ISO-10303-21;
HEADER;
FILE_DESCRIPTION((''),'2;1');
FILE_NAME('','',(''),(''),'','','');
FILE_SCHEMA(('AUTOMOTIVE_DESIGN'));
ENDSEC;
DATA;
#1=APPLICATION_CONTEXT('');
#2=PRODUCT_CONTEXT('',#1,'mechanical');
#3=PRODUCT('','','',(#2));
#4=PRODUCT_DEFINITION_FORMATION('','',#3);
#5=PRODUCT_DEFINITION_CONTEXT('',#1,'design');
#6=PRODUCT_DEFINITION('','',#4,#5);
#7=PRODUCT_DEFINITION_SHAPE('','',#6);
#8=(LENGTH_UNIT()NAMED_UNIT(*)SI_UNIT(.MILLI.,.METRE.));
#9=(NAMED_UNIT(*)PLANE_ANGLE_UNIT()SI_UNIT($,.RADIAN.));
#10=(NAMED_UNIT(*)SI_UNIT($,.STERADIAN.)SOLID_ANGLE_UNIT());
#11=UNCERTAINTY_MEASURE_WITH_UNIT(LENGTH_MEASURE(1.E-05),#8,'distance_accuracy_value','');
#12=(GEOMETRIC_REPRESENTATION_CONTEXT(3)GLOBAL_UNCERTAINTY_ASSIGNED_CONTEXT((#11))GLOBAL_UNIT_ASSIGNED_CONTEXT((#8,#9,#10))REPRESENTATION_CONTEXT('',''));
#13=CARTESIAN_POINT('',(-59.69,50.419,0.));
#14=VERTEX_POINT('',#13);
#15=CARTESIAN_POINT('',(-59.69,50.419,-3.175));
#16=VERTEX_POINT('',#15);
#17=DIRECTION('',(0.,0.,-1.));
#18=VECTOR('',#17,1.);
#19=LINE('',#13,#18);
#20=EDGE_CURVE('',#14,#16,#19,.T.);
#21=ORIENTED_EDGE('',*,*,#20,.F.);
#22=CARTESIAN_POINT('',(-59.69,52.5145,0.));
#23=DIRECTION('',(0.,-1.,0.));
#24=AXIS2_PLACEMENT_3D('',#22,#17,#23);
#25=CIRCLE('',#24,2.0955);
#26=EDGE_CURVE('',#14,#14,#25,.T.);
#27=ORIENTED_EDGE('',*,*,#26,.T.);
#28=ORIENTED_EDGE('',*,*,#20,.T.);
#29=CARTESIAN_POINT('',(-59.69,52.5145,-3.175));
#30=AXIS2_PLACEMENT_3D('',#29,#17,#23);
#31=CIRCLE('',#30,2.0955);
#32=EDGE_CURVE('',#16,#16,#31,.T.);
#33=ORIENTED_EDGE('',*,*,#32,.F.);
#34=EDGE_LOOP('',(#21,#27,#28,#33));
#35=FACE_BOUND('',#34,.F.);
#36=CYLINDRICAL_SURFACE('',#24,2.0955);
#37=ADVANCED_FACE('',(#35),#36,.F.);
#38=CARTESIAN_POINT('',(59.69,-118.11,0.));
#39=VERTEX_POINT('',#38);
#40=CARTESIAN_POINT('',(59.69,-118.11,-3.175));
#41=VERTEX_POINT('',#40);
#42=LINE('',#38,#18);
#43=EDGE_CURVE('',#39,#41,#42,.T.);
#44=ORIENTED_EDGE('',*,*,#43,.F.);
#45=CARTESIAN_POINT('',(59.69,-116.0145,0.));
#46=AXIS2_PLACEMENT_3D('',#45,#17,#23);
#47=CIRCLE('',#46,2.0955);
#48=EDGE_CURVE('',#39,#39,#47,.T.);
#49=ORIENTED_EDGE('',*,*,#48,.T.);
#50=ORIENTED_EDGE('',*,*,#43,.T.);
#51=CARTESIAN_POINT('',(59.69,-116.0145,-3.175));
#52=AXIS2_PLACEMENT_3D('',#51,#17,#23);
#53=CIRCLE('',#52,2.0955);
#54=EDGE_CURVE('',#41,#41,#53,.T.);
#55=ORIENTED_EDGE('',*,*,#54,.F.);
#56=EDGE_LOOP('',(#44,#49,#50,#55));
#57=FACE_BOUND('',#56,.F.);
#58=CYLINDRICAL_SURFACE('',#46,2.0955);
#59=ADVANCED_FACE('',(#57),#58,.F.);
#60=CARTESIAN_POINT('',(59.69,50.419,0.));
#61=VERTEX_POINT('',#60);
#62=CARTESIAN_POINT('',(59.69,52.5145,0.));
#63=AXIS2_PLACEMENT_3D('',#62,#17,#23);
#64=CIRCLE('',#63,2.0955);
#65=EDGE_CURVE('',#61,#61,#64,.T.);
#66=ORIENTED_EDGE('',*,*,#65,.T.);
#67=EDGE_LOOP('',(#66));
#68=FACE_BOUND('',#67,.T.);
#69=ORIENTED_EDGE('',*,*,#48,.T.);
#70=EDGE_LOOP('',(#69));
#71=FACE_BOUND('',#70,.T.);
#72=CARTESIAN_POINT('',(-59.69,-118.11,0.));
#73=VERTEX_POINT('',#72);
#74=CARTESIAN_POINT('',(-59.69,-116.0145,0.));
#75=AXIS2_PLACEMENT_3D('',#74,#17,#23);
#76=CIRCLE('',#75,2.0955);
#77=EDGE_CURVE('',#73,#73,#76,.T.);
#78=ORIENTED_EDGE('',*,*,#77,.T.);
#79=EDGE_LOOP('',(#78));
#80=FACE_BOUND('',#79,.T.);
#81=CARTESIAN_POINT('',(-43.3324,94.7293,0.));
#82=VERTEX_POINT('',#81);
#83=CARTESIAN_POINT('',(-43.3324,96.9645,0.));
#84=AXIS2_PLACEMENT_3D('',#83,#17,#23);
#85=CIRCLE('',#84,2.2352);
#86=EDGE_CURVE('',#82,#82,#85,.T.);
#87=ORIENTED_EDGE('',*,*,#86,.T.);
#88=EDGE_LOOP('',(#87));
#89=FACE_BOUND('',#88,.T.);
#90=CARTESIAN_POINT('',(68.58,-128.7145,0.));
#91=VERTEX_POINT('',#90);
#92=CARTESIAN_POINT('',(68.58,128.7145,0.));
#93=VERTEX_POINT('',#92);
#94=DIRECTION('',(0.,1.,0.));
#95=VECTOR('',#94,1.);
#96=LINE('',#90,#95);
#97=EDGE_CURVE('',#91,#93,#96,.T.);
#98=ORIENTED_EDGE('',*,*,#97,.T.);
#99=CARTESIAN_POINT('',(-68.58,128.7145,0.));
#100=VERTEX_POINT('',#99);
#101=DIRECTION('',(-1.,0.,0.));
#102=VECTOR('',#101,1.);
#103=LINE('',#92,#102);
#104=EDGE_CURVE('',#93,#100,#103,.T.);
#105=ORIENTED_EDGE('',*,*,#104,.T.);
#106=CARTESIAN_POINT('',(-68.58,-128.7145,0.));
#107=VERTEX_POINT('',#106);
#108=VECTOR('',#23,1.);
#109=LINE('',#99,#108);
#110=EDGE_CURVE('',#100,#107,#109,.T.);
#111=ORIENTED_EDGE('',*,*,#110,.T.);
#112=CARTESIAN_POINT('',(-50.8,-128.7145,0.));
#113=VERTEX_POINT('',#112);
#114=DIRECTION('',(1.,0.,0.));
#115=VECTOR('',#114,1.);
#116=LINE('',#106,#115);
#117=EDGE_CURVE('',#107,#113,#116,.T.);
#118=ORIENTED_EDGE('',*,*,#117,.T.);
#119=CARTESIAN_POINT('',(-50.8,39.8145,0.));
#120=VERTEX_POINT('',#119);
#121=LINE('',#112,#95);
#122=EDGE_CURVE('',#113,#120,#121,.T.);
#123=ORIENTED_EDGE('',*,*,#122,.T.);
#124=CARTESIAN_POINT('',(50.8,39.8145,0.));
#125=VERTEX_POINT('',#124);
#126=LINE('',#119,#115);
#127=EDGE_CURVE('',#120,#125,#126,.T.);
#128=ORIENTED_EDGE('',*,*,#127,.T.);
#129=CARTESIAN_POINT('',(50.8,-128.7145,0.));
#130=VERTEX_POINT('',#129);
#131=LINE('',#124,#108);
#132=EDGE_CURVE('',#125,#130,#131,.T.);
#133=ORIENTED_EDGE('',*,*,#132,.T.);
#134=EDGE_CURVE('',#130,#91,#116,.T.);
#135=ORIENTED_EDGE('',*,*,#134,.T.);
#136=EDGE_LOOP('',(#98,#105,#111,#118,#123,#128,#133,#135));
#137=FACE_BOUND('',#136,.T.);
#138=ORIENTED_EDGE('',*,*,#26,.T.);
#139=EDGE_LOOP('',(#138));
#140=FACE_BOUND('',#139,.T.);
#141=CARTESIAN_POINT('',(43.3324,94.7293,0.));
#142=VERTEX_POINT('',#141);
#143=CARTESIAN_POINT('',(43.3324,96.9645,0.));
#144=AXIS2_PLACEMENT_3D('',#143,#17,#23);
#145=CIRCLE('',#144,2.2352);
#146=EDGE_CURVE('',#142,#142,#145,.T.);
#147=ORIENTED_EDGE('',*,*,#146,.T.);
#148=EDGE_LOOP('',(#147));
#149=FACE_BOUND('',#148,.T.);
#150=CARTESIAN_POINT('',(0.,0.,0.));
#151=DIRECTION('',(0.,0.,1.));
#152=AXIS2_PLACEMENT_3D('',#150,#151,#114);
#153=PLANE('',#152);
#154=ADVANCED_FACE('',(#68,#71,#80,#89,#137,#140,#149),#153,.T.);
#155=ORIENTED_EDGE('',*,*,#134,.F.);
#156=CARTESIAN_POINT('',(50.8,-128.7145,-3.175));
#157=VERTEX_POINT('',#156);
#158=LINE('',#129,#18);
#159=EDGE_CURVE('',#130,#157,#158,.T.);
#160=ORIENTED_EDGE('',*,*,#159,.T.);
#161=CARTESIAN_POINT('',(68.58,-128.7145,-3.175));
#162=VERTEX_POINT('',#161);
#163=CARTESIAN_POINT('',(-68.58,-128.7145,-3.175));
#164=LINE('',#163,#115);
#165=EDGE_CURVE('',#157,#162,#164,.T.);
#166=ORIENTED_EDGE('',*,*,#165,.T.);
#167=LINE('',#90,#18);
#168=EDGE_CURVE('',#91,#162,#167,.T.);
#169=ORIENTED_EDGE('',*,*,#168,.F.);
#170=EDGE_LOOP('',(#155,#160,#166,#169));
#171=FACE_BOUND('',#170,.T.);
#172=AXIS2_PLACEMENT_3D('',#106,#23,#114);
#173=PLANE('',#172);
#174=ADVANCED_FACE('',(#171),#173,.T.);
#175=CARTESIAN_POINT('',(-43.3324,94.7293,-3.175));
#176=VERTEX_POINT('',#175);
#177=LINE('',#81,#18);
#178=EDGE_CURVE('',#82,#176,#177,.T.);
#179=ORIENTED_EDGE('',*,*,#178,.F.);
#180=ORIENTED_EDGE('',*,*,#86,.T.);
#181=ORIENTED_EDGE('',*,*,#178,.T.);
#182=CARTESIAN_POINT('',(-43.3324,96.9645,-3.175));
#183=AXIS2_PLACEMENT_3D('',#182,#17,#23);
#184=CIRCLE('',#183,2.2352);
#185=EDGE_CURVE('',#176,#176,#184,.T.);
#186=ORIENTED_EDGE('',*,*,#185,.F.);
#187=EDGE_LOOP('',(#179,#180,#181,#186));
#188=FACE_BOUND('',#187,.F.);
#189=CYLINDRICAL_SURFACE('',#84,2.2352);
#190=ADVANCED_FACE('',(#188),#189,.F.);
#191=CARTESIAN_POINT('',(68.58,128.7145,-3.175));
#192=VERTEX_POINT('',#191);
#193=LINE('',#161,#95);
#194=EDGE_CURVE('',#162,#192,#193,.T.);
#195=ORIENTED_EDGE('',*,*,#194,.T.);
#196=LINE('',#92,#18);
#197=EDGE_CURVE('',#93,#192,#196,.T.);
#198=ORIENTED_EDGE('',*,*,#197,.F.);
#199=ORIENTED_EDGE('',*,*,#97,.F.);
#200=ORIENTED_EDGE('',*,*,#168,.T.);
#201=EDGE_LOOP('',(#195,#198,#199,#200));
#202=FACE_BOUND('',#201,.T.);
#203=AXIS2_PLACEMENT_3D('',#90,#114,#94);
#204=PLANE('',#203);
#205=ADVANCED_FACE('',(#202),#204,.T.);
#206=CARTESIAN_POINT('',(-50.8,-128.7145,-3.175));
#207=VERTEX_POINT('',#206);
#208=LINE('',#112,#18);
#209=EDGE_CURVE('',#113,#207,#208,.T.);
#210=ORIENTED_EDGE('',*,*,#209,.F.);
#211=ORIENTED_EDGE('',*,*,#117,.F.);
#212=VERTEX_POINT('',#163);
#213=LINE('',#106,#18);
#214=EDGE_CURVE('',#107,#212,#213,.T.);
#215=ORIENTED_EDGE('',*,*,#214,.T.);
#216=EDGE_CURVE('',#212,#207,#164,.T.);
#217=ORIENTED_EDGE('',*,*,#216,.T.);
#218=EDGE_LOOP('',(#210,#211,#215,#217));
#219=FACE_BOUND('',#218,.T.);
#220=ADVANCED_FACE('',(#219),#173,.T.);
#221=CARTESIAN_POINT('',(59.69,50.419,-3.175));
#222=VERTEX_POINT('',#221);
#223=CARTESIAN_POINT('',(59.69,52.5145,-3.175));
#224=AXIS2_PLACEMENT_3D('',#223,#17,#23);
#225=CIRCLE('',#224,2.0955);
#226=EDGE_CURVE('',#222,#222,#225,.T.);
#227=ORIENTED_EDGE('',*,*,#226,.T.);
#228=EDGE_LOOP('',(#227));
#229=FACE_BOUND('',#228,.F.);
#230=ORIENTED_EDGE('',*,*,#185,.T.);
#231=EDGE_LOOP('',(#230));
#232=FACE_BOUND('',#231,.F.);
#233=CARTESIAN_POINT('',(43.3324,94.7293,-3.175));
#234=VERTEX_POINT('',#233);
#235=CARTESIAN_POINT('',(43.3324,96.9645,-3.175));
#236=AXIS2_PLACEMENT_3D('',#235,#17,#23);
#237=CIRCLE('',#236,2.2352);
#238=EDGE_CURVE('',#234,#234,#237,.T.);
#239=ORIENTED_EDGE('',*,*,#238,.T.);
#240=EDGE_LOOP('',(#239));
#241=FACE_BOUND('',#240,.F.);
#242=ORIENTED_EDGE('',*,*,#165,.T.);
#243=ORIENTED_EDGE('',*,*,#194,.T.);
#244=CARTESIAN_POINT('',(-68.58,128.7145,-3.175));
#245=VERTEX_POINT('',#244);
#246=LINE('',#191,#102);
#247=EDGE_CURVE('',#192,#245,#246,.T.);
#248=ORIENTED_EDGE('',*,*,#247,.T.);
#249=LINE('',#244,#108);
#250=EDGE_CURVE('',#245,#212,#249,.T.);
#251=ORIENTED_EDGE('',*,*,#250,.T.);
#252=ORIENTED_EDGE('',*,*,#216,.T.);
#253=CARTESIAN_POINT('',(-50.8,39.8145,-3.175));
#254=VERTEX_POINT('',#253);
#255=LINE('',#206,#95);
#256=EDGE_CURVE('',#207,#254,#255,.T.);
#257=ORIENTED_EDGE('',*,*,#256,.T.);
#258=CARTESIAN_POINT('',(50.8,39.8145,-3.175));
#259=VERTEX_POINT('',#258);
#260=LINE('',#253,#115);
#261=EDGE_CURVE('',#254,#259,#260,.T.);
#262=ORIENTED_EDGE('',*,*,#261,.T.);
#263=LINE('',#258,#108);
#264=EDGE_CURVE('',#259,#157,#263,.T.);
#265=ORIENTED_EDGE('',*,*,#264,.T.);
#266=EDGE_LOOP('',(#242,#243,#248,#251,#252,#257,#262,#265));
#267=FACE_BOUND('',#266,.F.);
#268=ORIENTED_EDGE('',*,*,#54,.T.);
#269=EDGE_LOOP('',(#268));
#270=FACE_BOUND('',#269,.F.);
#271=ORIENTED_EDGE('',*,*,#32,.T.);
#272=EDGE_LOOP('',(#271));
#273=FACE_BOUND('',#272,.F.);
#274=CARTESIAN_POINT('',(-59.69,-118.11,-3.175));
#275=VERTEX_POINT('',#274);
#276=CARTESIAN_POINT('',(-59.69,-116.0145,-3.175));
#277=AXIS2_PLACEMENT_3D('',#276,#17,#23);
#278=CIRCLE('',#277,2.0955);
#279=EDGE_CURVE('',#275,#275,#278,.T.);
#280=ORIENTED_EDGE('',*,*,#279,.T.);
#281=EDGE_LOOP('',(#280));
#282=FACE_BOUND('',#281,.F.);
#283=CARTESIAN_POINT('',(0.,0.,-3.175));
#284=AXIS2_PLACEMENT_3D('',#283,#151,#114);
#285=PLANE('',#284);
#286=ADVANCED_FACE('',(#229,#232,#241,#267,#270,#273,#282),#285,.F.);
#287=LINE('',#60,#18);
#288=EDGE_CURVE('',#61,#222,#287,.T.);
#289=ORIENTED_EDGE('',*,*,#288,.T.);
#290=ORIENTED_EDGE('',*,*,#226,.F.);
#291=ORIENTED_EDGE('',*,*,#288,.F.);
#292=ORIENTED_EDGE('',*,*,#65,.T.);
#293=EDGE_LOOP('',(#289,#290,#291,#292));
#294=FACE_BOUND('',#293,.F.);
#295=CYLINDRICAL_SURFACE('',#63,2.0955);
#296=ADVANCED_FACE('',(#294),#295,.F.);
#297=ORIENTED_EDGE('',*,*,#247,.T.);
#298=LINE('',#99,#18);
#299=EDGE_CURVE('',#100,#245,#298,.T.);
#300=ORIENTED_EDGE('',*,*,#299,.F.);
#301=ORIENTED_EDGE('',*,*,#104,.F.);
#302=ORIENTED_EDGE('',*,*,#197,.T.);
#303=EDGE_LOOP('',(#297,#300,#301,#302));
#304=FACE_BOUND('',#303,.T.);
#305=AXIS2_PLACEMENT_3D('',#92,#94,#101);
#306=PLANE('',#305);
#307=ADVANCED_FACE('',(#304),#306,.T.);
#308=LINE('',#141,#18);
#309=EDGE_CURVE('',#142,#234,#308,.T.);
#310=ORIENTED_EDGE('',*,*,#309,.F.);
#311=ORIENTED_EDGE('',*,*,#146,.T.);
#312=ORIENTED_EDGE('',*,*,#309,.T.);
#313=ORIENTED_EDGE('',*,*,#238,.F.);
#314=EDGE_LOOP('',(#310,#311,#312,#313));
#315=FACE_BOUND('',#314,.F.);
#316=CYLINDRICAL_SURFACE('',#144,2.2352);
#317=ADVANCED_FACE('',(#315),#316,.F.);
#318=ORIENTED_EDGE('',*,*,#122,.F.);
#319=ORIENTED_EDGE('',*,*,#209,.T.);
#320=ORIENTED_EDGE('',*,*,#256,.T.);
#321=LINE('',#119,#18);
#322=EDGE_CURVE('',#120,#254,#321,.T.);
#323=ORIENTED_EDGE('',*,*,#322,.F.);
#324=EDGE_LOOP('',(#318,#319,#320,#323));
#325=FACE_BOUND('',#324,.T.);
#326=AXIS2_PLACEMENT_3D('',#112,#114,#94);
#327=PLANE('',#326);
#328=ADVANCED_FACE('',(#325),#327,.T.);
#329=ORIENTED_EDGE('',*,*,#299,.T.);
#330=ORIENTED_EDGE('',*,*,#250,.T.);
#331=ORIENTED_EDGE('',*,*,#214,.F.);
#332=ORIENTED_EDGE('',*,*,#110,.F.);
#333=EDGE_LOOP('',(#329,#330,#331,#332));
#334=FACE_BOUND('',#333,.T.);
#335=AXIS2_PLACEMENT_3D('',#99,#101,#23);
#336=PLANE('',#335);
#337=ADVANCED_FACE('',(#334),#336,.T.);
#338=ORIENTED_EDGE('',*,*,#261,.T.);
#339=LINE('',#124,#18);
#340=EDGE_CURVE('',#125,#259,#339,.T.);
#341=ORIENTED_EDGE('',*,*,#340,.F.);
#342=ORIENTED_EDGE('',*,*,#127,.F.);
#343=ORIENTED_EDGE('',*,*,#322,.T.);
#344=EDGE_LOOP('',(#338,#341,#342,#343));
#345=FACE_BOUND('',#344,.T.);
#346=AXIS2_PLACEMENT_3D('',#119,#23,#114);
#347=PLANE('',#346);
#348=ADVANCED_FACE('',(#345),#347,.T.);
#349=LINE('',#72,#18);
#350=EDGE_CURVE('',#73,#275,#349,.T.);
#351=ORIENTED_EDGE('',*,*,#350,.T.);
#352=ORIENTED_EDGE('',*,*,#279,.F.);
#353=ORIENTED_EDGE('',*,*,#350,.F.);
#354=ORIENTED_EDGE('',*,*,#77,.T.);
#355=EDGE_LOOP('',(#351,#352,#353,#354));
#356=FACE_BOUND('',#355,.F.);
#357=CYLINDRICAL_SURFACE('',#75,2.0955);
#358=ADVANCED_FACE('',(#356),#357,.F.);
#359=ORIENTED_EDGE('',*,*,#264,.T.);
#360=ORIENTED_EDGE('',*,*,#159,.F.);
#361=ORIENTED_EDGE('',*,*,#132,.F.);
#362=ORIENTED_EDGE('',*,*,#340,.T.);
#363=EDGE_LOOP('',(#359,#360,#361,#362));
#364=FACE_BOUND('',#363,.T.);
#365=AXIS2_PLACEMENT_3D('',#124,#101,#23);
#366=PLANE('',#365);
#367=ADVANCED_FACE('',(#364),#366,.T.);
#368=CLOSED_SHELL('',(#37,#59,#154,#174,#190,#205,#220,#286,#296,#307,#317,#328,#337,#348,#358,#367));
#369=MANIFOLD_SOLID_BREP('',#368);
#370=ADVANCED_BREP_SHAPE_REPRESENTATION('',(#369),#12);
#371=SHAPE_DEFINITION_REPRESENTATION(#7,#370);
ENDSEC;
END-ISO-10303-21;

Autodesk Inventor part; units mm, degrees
ref_plane "YZ Plane" through (0, 0, 0) normal (1, 0, 0) x (0, 1, 0)
ref_plane "XZ Plane" through (0, 0, 0) normal (0, 1, 0) x (-1, 0, 0)
ref_plane "XY Plane" through (0, 0, 0) normal (0, 0, 1) x (1, 0, 0)
sketch "Sketch1" plane through (0, 0, 0) normal (0, 0, 1) x (1, 0, 0)
  line L0 (-68.58, -128.7145) -> (68.58, -128.7145)
  line L1 (68.58, -128.7145) -> (68.58, 128.7145)
  line L2 (68.58, 128.7145) -> (-68.58, 128.7145)
  line L3 (-68.58, 128.7145) -> (-68.58, -128.7145)
  line L4 (-68.58, -128.7145) -> (68.58, 128.7145) construction
  line L5 (68.58, -128.7145) -> (-68.58, 128.7145) construction
  point P0 (0, 0)
  dimension "d0" = 137.16
  dimension "d1" = 257.429
extrude "Extrusion1" add sketch "Sketch1" against normal blind 3.175
sketch "Sketch2" plane through (0, 0, 0) normal (0, 0, 1) x (1, 0, 0)
  circle A0 centre (-59.69, 52.5145) radius 2.0955
  line L0 (-68.58, 128.7145) -> (-68.58, -128.7145) projected
  line L1 (-68.58, 128.7145) -> (68.58, 128.7145) projected
  circle A1 centre (59.69, 52.5145) radius 2.0955
  line L2 (68.58, -128.7145) -> (68.58, 128.7145) projected
  circle A2 centre (-59.69, -116.0145) radius 2.0955
  circle A3 centre (59.69, -116.0145) radius 2.0955
  line L3 (-68.58, -128.7145) -> (68.58, -128.7145) projected
  point P0 (0, 0)
  dimension "d4" = 8.89
  dimension "d5" = 76.2
  dimension "d6" = 76.2
  dimension "d7" = 8.89
  dimension "d8" = 4.191
  dimension "d9" = 12.7
  dimension "d10" = 8.89
  dimension "d11" = 8.89
  dimension "d12" = 12.7
  dimension "d13" = 4.191
  dimension "d21" = 4.191
  dimension "d22" = 4.191
hole "Hole1" at (-59.69, 52.5145, 0) at (59.69, 52.5145, 0) at (-59.69, -116.0145, 0) at (59.69, -116.0145, 0) direction (0, 0, -1) diameter 4.191 end through all
sketch "Sketch4" plane through (0, 0, 0) normal (0, 0, 1) x (1, 0, 0)
  line L0 (-35.179, -49.0855) -> (-35.179, -99.8855)
  line L1 (-28.321, -49.0855) -> (-28.321, -99.8855)
  line L2 (28.321, -49.0855) -> (28.321, -99.8855)
  line L3 (35.179, -49.0855) -> (35.179, -99.8855)
  line L4 (-68.58, 128.7145) -> (-68.58, -128.7145) projected
  line L5 (68.58, -128.7145) -> (68.58, 128.7145) projected
  line L6 (-68.58, -128.7145) -> (68.58, -128.7145) projected
  arc A0 (-28.321, -49.0855) -> (-35.179, -49.0855) centre (-31.75, -49.0855) ccw
  arc A1 (-35.179, -99.8855) -> (-28.321, -99.8855) centre (-31.75, -99.8855) ccw
  arc A2 (35.179, -49.0855) -> (28.321, -49.0855) centre (31.75, -49.0855) ccw
  arc A3 (28.321, -99.8855) -> (35.179, -99.8855) centre (31.75, -99.8855) ccw
  point P0 (0, 0)
  dimension "d23" = 6.858
  dimension "d24" = 6.858
  dimension "d25" = 33.401
  dimension "d26" = 50.8
  dimension "d27" = 33.401
  dimension "d28" = 28.829
  dimension "d29" = 28.829
  dimension "d30" = 28.829
  dimension "d31" = 28.829
  dimension "d32" = 50.8
  dimension "d33" = 50.8
  dimension "d34" = 50.8
extrude "Extrusion2" cut sketch "Sketch4" against normal blind 3.175
sketch "Sketch5" plane through (0, 0, 0) normal (0, 0, 1) x (1, 0, 0)
  line L0 (-68.58, 128.7145) -> (68.58, 128.7145) projected
  line L1 (68.58, 128.7145) -> (68.58, -128.7145) projected
  point P0 (0, 0)
  point P1 (-43.3324, 96.9645)
  point P2 (43.3324, 96.9645)
  dimension "d37" = 31.75
  dimension "d38" = 86.6648
  dimension "d39" = 31.75
  dimension "d40" = 25.2476
hole "Hole2" at (-43.3324, 96.9645, 0) at (43.3324, 96.9645, 0) direction (0, 0, -1) diameter 4.4704 end through all
sketch "battery_buzzer" plane through (0, 0, 0) normal (0, 0, 1) x (1, 0, 0)
  point P0 (0, 0)
sketch "Sketch10" plane through (0, 0, 0) normal (0, 0, 1) x (1, 0, 0)
  line L0 (-50.8, -128.7145) -> (-50.8, 39.8145)
  line L1 (-50.8, 39.8145) -> (50.8, 39.8145)
  line L2 (50.8, 39.8145) -> (50.8, -128.7145)
  line L3 (68.58, 128.7145) -> (-68.58, 128.7145) projected
  line L4 (-68.58, 128.7145) -> (-68.58, -128.7145) projected
  line L5 (68.58, 128.7145) -> (68.58, -128.7145) projected
  line L6 (-50.8, -128.7145) -> (50.8, -128.7145)
  point P0 (0, 0)
  dimension "d48" = 88.9
  dimension "d49" = 17.78
  dimension "d50" = 17.78
extrude "Extrusion3" cut sketch "Sketch10" against normal blind 3.175
